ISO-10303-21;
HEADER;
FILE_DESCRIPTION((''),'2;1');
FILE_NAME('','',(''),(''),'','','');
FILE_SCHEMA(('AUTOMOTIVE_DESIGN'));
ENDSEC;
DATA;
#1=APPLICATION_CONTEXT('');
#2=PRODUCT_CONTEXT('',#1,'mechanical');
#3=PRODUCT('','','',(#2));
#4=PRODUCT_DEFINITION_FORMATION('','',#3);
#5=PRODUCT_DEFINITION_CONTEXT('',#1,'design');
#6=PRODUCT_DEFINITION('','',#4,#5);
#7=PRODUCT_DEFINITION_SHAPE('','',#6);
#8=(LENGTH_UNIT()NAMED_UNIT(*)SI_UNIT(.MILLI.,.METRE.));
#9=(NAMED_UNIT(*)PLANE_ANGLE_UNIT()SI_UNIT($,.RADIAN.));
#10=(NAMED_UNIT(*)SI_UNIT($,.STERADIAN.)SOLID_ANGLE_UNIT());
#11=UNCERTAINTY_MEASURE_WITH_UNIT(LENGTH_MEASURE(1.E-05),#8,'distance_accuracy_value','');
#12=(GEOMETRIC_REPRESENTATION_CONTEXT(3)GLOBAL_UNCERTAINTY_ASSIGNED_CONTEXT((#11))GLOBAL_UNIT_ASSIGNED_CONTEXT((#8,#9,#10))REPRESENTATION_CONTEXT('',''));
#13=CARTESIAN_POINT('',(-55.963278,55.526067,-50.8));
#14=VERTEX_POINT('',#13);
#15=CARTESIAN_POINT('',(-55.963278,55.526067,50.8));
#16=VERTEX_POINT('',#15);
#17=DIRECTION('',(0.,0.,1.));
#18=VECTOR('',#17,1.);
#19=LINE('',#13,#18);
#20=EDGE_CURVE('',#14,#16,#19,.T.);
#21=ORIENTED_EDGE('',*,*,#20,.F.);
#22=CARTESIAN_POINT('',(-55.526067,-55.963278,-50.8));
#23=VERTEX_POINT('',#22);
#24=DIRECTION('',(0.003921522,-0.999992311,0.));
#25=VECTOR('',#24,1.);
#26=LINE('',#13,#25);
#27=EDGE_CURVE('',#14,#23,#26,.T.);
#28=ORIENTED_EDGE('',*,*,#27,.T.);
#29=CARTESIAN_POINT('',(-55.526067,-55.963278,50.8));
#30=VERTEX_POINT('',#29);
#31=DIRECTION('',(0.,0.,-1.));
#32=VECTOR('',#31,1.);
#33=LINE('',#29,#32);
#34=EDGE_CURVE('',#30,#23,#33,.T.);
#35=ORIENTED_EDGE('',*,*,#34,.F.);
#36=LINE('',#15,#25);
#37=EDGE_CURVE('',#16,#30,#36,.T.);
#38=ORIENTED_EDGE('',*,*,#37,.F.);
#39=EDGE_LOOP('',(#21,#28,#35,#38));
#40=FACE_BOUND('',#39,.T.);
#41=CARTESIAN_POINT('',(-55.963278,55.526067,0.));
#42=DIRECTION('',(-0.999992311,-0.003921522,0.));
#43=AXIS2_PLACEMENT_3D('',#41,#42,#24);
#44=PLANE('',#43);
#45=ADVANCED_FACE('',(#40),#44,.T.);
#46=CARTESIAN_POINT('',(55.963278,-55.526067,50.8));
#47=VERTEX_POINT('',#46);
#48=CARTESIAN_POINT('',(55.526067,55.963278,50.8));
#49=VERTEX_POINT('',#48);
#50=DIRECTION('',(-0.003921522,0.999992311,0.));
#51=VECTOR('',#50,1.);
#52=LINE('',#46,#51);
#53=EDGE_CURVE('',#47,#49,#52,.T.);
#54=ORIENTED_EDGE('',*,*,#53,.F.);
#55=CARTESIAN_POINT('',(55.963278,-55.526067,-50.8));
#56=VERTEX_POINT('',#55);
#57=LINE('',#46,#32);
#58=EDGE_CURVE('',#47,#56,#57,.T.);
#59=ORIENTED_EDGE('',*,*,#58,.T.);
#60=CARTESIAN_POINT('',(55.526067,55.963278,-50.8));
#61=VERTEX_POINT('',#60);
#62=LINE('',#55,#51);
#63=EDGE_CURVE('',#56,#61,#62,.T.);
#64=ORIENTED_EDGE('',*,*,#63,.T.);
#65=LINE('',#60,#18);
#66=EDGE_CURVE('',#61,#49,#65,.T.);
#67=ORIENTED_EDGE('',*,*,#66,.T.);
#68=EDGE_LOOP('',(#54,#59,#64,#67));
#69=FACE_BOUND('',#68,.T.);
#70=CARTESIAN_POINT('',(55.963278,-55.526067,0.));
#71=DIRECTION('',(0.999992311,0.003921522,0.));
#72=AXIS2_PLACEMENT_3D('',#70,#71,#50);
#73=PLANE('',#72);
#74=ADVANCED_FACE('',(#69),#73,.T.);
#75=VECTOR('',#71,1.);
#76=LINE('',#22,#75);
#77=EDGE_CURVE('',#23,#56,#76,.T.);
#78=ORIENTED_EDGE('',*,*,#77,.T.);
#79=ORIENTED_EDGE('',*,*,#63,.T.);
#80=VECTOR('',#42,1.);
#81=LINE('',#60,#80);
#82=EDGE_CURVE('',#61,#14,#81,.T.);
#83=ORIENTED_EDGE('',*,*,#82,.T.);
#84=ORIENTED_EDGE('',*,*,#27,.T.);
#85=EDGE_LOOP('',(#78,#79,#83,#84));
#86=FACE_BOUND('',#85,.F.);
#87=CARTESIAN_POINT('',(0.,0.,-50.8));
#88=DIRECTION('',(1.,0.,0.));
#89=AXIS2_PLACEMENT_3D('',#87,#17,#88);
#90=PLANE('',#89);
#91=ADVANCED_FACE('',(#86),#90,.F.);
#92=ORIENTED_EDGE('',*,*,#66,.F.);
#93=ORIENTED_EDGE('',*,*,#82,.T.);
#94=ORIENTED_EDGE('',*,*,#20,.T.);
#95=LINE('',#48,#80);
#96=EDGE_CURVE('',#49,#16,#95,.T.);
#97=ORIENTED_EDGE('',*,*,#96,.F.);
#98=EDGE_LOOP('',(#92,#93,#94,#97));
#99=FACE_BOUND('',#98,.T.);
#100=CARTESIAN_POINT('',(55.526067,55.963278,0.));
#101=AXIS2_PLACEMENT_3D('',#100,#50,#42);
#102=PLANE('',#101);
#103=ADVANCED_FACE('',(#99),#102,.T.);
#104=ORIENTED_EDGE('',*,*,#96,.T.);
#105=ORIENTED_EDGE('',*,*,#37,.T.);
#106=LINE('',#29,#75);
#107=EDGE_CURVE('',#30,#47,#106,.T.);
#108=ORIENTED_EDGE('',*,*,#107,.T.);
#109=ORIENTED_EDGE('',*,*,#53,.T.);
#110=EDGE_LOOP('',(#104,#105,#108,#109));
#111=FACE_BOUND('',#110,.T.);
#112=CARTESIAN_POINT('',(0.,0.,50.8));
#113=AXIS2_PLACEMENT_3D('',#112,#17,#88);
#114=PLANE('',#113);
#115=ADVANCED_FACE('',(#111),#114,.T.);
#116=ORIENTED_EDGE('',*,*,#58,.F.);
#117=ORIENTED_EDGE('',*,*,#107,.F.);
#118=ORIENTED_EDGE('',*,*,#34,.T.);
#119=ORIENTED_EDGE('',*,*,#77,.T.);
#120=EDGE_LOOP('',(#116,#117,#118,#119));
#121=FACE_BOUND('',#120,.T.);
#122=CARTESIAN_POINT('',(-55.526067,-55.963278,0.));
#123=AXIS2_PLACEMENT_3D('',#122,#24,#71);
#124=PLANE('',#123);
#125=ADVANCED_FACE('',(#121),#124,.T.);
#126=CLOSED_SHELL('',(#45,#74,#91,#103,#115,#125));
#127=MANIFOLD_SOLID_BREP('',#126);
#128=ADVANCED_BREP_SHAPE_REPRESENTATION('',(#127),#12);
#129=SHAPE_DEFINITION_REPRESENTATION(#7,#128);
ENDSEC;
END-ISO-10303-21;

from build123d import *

# Parameters (mm, degrees)
F1_DEPTH = 50.8


with BuildPart() as f1:
    # F0 (on Top) → F1 (new body, symmetric)
    with BuildSketch(Plane.XY):
        Polygon((55.9632778168, -55.5260665715), (55.5260665715, 55.9632778168), (-55.9632778168, 55.5260665715), (-55.5260665715, -55.9632778168), align=None)
    extrude(amount=F1_DEPTH, both=True)


solid = f1.part
